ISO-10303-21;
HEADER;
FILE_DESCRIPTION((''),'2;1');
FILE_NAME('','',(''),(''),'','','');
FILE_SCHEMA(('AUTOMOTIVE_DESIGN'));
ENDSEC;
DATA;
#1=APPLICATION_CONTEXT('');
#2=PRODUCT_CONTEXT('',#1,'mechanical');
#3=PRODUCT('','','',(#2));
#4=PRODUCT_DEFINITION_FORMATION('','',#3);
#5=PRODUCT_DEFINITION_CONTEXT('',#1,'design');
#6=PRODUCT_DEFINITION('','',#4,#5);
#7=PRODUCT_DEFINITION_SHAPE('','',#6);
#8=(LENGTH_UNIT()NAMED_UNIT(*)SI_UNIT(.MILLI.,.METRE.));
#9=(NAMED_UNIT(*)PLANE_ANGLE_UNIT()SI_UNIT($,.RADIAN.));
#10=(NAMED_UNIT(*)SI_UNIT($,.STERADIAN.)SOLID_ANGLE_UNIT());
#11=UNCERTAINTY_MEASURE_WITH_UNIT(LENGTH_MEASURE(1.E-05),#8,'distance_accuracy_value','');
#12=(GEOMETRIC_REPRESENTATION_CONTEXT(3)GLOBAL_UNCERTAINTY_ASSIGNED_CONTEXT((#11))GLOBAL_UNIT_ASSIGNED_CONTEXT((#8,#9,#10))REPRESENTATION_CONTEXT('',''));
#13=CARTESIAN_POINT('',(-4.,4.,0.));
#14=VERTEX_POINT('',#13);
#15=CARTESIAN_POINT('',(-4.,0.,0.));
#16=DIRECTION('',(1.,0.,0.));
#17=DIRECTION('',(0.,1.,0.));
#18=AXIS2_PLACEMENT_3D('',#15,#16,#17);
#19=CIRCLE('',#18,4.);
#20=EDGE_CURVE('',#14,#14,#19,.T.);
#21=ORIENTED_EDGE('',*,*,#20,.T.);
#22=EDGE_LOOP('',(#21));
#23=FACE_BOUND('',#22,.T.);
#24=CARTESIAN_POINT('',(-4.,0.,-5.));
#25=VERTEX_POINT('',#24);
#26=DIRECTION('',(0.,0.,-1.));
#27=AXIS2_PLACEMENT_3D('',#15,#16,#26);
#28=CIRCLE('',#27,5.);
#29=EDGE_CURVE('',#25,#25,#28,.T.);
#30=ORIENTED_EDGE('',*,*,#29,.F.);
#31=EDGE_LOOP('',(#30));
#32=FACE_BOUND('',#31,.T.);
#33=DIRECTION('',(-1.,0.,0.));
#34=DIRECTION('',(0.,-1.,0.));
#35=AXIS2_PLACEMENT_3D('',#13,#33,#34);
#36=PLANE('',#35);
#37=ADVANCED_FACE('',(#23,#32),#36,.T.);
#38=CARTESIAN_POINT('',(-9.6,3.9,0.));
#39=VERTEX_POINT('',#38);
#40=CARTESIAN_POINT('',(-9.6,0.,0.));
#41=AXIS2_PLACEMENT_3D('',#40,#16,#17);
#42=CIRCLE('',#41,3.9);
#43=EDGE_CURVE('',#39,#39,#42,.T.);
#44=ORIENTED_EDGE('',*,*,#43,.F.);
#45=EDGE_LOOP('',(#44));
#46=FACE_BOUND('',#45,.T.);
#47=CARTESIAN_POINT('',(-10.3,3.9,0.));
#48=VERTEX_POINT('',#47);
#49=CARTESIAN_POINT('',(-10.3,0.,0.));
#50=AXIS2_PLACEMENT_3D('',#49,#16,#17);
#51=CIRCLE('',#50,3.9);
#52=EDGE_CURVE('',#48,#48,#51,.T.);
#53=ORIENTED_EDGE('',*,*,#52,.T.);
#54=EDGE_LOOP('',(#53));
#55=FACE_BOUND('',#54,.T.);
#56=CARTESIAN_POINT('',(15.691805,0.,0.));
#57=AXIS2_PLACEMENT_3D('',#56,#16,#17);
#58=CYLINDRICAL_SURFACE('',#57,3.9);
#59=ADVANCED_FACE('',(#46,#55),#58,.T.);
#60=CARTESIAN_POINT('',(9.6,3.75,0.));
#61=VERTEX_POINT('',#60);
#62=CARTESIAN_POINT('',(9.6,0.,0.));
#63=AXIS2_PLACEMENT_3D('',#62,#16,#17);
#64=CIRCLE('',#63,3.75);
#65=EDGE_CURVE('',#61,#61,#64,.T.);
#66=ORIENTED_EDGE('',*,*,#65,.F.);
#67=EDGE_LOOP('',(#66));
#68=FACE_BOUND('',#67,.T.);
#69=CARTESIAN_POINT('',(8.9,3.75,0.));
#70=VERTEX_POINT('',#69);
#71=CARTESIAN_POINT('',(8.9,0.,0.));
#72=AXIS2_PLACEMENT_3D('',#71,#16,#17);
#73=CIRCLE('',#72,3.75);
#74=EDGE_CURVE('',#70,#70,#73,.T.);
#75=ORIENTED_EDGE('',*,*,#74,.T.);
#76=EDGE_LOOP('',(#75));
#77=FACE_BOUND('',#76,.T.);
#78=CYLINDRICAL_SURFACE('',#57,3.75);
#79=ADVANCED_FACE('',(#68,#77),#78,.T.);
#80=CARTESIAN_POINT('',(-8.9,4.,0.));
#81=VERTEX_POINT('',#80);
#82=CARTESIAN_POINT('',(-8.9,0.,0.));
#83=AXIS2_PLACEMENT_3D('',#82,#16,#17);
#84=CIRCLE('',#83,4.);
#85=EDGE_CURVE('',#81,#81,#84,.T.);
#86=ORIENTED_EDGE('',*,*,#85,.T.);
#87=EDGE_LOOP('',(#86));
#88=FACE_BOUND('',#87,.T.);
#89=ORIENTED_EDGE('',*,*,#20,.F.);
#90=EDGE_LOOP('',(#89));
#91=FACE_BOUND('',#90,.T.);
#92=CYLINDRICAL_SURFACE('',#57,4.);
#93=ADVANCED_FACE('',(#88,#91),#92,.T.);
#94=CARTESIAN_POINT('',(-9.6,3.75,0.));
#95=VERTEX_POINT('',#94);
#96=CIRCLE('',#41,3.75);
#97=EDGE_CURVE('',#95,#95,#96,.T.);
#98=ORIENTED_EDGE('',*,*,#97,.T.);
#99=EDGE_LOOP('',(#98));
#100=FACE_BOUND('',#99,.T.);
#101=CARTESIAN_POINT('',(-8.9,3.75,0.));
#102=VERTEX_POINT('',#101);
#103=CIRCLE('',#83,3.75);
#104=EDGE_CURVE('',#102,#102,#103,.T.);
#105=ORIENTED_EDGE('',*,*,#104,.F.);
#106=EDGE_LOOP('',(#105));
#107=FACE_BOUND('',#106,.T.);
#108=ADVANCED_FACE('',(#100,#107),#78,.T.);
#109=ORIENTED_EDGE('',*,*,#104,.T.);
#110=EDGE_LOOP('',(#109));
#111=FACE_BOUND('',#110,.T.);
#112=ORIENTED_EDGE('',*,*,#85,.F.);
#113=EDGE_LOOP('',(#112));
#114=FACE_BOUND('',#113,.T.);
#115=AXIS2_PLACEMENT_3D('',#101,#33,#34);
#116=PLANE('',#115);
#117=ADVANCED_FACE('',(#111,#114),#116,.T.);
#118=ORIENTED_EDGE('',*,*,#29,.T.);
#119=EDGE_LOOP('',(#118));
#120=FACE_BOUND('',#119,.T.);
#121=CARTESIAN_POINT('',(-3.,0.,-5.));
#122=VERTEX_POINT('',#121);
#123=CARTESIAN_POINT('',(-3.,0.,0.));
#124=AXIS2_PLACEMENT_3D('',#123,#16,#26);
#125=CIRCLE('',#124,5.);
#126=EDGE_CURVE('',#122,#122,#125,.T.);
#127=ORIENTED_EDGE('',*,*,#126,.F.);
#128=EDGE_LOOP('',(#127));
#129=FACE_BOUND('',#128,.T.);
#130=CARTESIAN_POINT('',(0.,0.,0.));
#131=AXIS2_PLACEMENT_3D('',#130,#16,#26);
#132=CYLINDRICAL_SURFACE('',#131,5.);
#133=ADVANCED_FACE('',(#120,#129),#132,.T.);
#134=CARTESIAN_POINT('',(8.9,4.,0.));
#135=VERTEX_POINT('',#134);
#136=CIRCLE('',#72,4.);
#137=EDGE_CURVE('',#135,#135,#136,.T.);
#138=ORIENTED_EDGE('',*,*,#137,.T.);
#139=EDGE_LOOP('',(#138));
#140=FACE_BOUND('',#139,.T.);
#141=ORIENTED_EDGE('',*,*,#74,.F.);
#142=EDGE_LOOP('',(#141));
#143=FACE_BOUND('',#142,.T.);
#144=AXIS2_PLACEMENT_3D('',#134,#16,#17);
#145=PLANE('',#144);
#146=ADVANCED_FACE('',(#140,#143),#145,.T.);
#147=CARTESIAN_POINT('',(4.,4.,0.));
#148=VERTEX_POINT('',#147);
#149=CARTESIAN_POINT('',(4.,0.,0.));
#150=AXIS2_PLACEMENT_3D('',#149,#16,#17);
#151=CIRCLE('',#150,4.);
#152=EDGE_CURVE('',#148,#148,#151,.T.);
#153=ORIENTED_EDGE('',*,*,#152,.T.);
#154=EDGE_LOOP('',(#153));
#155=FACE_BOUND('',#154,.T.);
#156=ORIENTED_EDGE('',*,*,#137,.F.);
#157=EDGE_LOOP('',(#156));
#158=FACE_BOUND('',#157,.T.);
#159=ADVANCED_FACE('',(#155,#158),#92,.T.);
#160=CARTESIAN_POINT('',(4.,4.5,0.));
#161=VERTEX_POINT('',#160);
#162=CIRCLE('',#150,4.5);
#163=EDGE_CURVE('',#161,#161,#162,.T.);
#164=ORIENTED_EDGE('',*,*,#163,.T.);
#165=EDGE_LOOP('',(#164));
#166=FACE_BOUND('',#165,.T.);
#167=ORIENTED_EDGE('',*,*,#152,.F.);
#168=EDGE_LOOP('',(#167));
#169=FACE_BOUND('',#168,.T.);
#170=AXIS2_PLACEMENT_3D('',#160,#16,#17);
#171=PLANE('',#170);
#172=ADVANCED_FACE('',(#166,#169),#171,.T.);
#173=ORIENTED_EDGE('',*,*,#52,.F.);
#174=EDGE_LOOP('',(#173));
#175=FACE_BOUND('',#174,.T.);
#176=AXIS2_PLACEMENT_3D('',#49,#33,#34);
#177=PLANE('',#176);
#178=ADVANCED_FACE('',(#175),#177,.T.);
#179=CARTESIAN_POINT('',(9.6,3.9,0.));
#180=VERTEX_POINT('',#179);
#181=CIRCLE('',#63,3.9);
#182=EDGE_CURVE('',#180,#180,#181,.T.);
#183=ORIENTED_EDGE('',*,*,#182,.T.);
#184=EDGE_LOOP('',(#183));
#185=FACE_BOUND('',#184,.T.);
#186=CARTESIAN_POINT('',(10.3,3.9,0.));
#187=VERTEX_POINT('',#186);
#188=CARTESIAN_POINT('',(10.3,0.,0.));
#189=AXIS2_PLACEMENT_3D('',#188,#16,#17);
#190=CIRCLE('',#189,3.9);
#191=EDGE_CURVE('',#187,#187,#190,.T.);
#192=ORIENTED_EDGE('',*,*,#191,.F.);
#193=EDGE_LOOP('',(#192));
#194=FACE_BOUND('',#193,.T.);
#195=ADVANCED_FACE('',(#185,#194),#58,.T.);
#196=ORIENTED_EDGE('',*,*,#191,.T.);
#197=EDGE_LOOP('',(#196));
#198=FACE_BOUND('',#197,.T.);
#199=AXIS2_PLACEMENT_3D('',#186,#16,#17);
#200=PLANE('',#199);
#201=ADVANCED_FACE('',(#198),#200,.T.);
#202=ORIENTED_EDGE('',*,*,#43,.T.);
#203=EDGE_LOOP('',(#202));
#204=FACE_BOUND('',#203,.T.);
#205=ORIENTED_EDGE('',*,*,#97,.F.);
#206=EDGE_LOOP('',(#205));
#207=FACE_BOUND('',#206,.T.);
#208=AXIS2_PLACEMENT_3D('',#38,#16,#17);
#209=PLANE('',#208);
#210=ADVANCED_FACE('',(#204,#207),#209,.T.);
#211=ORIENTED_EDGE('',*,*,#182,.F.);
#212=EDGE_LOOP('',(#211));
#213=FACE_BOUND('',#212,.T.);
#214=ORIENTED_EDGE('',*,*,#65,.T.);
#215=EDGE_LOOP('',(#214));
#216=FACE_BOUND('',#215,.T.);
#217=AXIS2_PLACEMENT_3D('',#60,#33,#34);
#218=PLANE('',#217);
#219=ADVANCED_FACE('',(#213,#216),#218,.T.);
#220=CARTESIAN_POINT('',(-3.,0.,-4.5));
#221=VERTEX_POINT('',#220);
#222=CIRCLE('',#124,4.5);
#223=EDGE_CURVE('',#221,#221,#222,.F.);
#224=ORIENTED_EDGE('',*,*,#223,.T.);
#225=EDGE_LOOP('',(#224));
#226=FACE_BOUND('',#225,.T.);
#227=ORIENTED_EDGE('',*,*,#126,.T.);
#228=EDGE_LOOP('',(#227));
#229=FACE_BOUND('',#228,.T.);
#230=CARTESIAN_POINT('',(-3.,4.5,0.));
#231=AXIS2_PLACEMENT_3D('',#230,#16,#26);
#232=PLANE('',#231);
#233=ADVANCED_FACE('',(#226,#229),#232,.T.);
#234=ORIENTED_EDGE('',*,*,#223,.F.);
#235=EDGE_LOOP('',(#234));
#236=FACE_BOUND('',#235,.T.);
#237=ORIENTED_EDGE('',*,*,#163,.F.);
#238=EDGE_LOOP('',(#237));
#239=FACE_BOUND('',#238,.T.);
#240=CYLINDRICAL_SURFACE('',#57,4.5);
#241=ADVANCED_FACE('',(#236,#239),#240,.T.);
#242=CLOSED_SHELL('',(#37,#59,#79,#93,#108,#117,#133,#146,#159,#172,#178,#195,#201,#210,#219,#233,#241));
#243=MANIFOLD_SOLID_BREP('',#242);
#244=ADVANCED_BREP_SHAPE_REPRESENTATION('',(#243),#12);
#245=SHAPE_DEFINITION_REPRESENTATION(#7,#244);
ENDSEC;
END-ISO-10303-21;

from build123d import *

# Parameters (mm, degrees)
SKETCH3_W = 1
SKETCH3_H = 0.5


with BuildPart() as part:
    # Sketch1 → Revolve1 (revolve)
    with BuildSketch(Plane.XY):
        Polygon((10.3, 0), (-10.3, 0), (-10.3, 3.9), (-9.6, 3.9), (-9.6, 3.75), (-8.9, 3.75), (-8.9, 4), (-4, 4), (-4, 4.5), (4, 4.5), (4, 4), (8.9, 4), (8.9, 3.75), (9.6, 3.75), (9.6, 3.9), (10.3, 3.9), align=None)
    revolve(axis=Axis((15.691805076, 0, 0), (-1, 0, 0)))

    # Sketch3 → Revolve2 (revolve)
    with BuildSketch(Plane.XY):
        with Locations((-3.5, 4.75)):
            Rectangle(SKETCH3_W, SKETCH3_H)
    revolve(axis=Axis((0, 0, 0), (-1, 0, 0)))


solid = part.part
